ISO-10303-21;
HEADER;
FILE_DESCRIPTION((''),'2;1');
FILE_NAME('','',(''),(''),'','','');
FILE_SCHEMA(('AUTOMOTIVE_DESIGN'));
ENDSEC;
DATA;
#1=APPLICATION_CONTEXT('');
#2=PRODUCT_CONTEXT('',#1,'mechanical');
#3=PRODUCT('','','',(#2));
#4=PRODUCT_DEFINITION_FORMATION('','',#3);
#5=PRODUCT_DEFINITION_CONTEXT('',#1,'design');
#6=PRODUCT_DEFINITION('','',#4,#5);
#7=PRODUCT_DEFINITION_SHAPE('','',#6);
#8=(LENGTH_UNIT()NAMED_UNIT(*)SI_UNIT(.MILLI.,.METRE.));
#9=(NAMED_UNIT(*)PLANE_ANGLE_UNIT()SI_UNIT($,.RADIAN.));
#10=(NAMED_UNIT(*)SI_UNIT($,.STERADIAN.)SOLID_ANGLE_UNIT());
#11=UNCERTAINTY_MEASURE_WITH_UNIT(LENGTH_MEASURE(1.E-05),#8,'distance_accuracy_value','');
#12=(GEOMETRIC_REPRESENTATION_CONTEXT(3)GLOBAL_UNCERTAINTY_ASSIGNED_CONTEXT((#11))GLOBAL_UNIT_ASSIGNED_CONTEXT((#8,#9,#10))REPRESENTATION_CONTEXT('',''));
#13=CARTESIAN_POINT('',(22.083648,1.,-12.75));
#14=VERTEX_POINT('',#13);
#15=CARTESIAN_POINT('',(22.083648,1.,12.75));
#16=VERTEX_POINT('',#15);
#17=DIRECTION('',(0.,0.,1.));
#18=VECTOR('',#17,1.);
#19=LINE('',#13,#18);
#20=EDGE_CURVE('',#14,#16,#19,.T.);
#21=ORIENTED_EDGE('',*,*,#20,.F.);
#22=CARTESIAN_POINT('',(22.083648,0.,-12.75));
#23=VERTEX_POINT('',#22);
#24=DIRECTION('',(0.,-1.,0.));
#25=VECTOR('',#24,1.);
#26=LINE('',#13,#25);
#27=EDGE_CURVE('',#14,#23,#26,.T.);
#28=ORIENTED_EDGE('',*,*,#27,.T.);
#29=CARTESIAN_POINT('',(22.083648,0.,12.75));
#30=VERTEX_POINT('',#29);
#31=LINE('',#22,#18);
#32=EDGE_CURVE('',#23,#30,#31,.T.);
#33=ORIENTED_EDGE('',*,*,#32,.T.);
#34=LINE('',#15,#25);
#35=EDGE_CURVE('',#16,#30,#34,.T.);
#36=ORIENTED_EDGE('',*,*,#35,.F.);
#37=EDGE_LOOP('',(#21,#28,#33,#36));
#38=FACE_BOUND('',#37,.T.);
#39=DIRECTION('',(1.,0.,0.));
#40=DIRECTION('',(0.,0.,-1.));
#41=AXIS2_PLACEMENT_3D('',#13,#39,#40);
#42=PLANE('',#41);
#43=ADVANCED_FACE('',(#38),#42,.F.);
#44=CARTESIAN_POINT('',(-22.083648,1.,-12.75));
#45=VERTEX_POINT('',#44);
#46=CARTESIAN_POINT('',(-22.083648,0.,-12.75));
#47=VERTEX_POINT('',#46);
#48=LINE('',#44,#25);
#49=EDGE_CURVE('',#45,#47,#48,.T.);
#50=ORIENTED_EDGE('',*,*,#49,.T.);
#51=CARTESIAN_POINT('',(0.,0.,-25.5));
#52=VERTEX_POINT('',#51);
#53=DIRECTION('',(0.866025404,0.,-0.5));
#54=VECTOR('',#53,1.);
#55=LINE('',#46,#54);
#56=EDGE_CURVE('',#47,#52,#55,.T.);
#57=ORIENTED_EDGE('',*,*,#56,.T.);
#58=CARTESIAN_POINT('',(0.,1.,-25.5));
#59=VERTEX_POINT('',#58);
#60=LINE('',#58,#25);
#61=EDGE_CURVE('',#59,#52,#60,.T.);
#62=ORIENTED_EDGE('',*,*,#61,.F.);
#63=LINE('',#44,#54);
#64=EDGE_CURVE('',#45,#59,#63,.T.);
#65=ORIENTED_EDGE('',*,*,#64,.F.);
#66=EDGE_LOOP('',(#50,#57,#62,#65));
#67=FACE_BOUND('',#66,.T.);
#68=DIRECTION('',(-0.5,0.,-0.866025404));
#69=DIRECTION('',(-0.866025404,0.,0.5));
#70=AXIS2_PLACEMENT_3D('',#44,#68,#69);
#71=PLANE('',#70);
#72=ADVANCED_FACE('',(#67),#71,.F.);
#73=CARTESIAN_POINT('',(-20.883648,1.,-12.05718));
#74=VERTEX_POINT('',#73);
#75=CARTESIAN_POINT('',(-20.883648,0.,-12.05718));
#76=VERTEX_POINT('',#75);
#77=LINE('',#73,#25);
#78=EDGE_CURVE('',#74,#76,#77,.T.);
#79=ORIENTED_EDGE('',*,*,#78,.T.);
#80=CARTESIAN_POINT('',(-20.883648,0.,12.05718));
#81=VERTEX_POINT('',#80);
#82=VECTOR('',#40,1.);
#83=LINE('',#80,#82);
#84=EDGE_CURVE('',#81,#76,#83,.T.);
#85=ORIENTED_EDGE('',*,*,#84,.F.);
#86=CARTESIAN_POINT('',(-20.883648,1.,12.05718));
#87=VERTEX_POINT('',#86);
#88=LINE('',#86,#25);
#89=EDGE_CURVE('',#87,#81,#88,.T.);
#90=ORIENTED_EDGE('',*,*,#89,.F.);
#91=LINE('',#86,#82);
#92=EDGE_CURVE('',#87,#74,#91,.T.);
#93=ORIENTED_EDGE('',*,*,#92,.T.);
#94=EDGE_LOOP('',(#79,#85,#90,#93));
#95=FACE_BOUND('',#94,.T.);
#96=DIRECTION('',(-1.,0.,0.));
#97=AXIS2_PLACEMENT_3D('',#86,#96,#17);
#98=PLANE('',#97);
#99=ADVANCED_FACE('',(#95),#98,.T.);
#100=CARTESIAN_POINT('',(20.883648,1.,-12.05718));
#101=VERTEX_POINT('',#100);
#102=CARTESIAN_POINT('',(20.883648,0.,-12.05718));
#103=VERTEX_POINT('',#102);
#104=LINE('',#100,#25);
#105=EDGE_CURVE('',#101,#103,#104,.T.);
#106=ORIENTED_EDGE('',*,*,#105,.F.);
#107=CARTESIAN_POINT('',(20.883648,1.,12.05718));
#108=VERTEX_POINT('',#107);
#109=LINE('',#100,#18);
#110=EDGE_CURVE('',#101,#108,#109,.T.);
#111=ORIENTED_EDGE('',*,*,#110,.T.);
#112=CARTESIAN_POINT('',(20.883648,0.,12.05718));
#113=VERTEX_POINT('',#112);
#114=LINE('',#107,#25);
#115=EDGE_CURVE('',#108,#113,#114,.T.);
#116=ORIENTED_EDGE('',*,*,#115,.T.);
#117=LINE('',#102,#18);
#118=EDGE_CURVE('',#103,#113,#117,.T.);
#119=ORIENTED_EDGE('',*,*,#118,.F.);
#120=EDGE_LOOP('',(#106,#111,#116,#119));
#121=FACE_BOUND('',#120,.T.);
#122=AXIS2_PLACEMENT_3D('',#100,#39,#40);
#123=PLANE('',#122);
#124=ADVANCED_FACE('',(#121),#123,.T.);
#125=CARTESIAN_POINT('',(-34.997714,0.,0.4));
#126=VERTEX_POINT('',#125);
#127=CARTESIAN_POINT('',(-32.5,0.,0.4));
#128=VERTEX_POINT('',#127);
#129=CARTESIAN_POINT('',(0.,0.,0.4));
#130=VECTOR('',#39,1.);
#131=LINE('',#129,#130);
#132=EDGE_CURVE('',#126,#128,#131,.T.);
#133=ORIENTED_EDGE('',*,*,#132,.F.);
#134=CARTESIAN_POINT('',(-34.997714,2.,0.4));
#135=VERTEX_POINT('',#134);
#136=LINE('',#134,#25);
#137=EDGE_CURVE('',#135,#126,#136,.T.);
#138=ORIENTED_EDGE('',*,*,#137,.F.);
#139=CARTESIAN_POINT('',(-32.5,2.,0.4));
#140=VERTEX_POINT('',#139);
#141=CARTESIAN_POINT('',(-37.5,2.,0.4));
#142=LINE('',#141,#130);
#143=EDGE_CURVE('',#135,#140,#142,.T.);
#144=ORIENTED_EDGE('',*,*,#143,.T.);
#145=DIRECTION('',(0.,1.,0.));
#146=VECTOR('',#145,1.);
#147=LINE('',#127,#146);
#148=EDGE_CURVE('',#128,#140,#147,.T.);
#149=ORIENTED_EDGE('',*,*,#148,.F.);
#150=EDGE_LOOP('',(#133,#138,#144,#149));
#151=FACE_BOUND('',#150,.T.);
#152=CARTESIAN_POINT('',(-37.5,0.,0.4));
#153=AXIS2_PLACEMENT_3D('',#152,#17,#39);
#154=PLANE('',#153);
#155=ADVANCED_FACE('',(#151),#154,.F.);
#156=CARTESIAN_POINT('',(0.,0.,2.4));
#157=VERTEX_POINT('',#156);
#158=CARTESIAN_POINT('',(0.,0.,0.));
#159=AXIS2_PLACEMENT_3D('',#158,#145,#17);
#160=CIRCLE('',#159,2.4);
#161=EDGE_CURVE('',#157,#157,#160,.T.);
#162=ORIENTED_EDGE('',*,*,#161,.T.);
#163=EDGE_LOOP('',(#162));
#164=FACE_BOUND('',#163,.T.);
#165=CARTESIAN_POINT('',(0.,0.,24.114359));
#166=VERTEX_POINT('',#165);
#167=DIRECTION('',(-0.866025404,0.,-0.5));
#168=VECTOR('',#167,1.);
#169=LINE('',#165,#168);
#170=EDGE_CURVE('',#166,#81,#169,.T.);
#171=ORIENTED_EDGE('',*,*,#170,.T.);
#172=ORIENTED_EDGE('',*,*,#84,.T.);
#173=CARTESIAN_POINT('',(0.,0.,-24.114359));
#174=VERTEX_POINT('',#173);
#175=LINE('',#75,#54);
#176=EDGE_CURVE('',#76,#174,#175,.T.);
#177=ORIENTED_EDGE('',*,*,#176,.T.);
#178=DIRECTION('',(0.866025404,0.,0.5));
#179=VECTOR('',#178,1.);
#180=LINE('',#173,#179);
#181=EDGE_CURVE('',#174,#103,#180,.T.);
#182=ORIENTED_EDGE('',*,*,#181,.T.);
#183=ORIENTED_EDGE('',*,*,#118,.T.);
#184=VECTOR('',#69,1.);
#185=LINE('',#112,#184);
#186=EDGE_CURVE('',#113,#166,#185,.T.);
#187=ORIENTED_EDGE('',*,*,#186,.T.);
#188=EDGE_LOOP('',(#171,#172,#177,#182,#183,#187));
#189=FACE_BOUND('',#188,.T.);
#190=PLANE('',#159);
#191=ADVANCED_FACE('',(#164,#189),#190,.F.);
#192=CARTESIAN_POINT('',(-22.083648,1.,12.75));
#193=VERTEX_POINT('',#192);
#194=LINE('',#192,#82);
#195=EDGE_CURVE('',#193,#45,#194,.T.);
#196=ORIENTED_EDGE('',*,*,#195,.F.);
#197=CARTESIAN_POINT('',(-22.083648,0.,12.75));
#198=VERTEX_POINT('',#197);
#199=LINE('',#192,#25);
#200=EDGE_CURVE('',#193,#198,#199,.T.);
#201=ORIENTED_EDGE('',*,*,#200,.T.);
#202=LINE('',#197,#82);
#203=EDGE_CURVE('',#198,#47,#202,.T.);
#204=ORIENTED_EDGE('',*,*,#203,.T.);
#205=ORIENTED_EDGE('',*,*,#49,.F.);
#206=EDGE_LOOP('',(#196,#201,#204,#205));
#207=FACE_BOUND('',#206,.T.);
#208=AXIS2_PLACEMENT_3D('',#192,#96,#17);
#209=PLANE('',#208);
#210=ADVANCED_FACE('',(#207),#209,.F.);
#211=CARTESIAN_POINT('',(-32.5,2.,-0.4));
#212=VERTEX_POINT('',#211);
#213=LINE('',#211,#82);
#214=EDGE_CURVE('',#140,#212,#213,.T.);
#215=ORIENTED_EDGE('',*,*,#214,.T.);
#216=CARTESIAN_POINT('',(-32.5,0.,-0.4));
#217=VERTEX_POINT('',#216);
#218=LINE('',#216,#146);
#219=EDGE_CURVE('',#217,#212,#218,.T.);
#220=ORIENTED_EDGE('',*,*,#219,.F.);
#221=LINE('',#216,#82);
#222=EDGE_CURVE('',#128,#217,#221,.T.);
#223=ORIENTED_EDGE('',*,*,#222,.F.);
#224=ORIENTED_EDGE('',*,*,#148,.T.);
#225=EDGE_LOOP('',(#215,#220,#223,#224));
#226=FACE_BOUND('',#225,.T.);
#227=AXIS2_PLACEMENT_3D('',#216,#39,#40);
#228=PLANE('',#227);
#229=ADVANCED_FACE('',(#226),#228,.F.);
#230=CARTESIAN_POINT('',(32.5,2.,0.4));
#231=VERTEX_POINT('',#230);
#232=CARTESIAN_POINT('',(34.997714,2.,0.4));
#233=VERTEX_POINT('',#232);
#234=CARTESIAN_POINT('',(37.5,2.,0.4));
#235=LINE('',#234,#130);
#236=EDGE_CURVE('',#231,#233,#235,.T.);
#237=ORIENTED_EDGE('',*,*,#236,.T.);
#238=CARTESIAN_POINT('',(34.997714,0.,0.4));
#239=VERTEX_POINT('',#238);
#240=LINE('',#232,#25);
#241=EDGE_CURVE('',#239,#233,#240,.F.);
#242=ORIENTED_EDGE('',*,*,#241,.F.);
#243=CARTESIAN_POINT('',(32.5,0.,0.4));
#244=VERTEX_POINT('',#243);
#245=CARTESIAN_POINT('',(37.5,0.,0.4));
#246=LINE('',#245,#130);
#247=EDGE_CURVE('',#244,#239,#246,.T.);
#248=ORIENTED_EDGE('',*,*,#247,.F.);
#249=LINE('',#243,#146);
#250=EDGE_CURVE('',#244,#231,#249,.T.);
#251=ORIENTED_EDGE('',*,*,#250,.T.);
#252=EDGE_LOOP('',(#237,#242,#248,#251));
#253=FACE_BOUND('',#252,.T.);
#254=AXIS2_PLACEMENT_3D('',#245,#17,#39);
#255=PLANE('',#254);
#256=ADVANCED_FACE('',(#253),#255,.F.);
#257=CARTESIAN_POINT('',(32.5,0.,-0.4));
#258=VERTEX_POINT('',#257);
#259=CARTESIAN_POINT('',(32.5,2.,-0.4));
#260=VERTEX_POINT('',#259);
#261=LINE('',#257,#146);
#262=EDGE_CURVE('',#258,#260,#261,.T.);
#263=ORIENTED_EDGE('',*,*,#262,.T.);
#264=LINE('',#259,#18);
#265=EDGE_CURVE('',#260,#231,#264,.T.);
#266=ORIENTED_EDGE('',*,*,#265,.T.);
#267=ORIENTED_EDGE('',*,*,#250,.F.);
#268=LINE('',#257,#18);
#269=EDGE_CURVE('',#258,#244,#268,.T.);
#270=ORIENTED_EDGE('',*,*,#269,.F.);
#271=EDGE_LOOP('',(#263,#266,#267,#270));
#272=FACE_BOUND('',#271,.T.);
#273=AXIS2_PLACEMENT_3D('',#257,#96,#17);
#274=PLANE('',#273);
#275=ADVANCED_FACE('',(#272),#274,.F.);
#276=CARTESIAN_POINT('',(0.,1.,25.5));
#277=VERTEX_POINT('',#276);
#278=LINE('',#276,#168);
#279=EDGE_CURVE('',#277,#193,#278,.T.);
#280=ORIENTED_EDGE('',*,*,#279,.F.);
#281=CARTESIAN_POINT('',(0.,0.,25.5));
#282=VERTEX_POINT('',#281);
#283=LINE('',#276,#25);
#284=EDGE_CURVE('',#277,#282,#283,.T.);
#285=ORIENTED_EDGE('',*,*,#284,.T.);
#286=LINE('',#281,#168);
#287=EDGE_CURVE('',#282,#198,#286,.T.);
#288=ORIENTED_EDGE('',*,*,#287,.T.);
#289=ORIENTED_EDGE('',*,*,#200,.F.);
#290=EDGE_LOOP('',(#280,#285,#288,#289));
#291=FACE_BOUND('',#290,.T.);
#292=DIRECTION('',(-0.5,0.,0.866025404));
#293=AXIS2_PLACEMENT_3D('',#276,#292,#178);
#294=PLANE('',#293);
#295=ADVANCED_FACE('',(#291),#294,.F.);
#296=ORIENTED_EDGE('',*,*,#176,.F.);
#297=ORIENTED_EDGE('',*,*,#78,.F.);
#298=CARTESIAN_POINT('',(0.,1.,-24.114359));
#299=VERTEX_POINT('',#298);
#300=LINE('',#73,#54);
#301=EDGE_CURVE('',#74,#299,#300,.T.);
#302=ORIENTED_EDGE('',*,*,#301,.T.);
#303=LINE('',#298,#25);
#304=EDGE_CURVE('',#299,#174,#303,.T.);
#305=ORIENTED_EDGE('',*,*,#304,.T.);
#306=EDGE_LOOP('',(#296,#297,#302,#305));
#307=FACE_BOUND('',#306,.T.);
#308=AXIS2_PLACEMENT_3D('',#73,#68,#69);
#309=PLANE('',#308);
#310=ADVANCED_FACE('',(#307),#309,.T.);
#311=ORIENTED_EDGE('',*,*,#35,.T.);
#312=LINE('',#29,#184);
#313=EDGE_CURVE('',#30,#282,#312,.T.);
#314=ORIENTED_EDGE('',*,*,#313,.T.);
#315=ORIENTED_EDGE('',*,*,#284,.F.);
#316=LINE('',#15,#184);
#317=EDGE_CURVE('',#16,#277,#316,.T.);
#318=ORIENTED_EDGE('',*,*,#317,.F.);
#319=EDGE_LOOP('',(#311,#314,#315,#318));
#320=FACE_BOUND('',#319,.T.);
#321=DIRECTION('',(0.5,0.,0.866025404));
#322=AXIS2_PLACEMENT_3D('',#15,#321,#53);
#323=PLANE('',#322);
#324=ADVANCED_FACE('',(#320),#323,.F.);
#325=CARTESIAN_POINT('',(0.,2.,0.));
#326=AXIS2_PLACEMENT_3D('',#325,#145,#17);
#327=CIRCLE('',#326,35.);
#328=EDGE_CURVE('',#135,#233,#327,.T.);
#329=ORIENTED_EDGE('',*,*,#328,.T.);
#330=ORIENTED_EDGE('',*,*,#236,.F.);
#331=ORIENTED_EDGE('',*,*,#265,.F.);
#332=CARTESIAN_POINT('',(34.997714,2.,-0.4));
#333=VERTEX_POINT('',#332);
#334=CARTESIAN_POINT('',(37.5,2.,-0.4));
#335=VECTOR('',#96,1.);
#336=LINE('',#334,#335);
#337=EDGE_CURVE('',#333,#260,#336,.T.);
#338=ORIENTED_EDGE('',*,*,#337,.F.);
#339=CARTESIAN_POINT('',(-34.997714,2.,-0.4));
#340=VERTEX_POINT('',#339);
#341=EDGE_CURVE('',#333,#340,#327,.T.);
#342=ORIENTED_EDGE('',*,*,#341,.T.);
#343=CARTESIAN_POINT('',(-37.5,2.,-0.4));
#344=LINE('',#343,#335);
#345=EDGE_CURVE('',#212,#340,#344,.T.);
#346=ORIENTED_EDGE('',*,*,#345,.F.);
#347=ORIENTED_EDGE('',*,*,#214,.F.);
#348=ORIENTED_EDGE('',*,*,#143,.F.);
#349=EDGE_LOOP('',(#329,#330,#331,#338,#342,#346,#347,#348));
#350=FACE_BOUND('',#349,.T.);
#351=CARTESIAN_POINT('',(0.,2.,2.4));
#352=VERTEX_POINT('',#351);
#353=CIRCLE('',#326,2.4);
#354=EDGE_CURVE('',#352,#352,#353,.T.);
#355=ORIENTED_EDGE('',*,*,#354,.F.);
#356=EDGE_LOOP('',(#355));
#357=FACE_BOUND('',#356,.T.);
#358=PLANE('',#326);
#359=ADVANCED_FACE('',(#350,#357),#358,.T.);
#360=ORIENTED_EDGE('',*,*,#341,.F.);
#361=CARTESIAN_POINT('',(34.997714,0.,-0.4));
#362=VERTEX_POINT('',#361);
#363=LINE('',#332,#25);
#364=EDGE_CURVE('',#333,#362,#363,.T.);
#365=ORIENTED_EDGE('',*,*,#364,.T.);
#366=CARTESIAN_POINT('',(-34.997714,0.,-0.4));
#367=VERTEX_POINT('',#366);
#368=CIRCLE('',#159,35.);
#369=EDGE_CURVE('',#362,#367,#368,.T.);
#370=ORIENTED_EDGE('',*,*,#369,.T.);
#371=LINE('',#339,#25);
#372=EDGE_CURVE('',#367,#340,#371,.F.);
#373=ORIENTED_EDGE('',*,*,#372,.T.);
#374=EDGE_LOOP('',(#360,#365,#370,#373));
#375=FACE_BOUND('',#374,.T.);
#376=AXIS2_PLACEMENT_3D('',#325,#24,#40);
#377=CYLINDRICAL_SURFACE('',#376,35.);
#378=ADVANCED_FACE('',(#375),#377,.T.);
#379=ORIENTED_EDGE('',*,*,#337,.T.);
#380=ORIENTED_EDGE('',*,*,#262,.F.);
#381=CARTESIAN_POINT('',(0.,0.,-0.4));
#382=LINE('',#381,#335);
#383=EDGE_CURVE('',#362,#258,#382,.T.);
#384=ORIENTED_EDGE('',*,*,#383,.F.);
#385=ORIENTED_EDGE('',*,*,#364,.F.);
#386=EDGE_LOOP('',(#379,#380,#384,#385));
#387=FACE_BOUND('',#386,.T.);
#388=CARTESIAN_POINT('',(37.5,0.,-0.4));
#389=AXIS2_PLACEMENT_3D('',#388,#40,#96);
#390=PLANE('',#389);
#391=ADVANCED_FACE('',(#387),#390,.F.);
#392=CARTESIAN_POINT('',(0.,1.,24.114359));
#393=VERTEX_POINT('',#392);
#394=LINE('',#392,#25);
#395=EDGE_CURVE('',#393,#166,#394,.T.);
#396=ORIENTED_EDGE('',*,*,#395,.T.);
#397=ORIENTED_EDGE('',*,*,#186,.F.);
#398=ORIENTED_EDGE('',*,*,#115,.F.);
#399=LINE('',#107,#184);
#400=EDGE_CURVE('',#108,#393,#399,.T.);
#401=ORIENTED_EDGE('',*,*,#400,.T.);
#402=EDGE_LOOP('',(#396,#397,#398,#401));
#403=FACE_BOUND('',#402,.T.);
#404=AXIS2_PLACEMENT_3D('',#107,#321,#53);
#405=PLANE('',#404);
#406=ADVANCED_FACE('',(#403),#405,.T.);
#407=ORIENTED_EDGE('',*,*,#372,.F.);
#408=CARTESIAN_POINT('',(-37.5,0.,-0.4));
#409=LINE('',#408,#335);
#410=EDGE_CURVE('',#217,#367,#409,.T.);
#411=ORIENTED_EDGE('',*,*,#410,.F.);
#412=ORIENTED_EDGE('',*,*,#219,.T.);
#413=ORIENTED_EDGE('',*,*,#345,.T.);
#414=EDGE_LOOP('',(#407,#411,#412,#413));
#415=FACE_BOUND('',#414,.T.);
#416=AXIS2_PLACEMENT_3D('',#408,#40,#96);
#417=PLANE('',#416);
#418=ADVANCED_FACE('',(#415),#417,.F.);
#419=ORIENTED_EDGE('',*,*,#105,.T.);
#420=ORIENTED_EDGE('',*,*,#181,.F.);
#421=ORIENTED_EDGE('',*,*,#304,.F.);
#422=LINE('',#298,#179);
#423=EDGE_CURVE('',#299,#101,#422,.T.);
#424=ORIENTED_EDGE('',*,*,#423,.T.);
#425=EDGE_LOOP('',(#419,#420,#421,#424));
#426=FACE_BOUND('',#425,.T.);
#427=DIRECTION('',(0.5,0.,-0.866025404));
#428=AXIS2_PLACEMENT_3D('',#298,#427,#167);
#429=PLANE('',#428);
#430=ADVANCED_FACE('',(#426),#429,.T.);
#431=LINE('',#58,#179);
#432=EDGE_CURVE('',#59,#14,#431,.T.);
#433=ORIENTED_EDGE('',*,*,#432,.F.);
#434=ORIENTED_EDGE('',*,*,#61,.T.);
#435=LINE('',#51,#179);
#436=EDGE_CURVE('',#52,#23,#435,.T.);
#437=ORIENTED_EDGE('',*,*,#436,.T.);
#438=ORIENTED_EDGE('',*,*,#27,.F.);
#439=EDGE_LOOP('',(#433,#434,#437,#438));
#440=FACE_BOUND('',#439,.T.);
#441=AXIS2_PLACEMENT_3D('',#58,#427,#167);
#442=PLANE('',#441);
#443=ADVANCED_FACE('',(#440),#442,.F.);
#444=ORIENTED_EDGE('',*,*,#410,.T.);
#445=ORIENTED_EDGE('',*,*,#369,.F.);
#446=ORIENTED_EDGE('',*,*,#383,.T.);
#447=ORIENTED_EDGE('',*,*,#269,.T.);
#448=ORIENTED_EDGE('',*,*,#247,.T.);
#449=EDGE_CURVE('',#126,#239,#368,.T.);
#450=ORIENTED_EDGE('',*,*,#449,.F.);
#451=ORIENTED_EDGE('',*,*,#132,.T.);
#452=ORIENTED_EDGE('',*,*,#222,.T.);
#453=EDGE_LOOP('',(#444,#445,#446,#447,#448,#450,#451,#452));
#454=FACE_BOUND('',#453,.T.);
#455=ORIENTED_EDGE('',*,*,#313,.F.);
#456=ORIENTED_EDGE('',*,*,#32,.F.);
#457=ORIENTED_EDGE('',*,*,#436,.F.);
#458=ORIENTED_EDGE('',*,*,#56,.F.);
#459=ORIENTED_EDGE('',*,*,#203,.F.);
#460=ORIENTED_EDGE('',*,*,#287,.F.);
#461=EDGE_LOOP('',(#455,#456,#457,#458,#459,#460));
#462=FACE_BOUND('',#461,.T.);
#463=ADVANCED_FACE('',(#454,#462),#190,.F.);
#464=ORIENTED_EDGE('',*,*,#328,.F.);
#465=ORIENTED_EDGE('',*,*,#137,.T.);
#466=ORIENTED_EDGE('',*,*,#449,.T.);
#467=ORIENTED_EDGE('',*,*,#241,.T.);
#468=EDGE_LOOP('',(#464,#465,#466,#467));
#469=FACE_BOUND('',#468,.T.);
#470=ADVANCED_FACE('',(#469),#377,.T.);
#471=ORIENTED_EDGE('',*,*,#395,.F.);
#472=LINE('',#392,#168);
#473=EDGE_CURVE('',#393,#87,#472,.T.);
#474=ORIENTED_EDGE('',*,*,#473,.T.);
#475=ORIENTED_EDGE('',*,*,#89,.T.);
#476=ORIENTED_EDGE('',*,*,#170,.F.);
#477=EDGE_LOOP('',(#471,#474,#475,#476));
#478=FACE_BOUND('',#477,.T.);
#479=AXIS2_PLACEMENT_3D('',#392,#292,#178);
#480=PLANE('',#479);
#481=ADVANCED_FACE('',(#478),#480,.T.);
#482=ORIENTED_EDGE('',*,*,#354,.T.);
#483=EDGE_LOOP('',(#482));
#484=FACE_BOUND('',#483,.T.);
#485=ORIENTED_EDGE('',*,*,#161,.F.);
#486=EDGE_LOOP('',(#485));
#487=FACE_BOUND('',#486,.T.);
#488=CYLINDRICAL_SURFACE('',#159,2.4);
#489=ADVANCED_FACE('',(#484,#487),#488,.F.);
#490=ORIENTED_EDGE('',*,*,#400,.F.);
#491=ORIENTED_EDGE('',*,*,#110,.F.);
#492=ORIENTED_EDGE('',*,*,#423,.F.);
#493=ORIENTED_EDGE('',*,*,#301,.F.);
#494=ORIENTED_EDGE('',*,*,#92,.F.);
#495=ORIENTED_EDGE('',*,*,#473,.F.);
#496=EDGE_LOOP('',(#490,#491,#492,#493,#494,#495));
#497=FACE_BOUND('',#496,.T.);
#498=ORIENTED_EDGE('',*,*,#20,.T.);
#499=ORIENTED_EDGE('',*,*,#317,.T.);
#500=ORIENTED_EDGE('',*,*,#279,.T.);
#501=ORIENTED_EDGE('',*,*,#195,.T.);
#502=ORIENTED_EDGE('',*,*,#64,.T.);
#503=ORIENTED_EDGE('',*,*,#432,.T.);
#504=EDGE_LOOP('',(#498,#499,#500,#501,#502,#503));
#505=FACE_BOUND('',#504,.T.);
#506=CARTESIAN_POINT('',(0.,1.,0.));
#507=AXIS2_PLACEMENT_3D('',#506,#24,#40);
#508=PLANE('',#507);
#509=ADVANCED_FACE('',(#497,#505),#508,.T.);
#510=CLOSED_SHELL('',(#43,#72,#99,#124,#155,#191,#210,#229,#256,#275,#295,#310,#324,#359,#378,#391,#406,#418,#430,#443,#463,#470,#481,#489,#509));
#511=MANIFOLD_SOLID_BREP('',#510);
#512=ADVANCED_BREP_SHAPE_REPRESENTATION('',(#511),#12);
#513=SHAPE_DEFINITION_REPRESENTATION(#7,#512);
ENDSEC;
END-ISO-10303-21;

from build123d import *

# Parameters (mm, degrees)
SKETCH_3_R          = 35
EXTRUDE_1_DEPTH     = 2
SKETCH_4_W          = 5
SKETCH_4_H          = 0.8
CUT_EXTRUDE_6_DEPTH = 3
SKETCH_5_R          = 2.4
CUT_EXTRUDE_7_DEPTH = 3
CUT_EXTRUDE_8_DEPTH = 1


with BuildPart() as part:
    # 스케치3 → 보스-돌출1 (new body)
    with BuildSketch(Plane(origin=(0, 0, 0), x_dir=(1, 0, 0), z_dir=(0, 1, 0))):
        Circle(SKETCH_3_R)
    extrude(amount=EXTRUDE_1_DEPTH)

    # 스케치4 → 컷-돌출6 (cut, through all)
    with BuildSketch(Plane(origin=(0, 2, 0), x_dir=(1, 0, 0), z_dir=(0, 1, 0))):
        with Locations((-35, 0)):
            Rectangle(SKETCH_4_W, SKETCH_4_H)
        with Locations((35, 0)):
            Rectangle(SKETCH_4_W, SKETCH_4_H)
    extrude(amount=-CUT_EXTRUDE_6_DEPTH, mode=Mode.SUBTRACT)

    # 스케치5 → 컷-돌출7 (cut, through all)
    with BuildSketch(Plane(origin=(0, 2, 0), x_dir=(1, 0, 0), z_dir=(0, 1, 0))):
        Circle(SKETCH_5_R)
    extrude(amount=-CUT_EXTRUDE_7_DEPTH, mode=Mode.SUBTRACT)

    # 스케치6 → 컷-돌출8 (cut)
    with BuildSketch(Plane.XZ):
        Polygon((-22.083647797, 12.75), (-22.083647797, -12.75), (0, -25.5), (22.083647797, -12.75), (22.083647797, 12.75), (0, 25.5), align=None)
        Polygon((-20.883647797, 12.057179677), (-20.883647797, -12.057179677), (0, -24.114359354), (20.883647797, -12.057179677), (20.883647797, 12.057179677), (0, 24.114359354), align=None, mode=Mode.SUBTRACT)
    extrude(amount=-CUT_EXTRUDE_8_DEPTH, mode=Mode.SUBTRACT)


solid = part.part
